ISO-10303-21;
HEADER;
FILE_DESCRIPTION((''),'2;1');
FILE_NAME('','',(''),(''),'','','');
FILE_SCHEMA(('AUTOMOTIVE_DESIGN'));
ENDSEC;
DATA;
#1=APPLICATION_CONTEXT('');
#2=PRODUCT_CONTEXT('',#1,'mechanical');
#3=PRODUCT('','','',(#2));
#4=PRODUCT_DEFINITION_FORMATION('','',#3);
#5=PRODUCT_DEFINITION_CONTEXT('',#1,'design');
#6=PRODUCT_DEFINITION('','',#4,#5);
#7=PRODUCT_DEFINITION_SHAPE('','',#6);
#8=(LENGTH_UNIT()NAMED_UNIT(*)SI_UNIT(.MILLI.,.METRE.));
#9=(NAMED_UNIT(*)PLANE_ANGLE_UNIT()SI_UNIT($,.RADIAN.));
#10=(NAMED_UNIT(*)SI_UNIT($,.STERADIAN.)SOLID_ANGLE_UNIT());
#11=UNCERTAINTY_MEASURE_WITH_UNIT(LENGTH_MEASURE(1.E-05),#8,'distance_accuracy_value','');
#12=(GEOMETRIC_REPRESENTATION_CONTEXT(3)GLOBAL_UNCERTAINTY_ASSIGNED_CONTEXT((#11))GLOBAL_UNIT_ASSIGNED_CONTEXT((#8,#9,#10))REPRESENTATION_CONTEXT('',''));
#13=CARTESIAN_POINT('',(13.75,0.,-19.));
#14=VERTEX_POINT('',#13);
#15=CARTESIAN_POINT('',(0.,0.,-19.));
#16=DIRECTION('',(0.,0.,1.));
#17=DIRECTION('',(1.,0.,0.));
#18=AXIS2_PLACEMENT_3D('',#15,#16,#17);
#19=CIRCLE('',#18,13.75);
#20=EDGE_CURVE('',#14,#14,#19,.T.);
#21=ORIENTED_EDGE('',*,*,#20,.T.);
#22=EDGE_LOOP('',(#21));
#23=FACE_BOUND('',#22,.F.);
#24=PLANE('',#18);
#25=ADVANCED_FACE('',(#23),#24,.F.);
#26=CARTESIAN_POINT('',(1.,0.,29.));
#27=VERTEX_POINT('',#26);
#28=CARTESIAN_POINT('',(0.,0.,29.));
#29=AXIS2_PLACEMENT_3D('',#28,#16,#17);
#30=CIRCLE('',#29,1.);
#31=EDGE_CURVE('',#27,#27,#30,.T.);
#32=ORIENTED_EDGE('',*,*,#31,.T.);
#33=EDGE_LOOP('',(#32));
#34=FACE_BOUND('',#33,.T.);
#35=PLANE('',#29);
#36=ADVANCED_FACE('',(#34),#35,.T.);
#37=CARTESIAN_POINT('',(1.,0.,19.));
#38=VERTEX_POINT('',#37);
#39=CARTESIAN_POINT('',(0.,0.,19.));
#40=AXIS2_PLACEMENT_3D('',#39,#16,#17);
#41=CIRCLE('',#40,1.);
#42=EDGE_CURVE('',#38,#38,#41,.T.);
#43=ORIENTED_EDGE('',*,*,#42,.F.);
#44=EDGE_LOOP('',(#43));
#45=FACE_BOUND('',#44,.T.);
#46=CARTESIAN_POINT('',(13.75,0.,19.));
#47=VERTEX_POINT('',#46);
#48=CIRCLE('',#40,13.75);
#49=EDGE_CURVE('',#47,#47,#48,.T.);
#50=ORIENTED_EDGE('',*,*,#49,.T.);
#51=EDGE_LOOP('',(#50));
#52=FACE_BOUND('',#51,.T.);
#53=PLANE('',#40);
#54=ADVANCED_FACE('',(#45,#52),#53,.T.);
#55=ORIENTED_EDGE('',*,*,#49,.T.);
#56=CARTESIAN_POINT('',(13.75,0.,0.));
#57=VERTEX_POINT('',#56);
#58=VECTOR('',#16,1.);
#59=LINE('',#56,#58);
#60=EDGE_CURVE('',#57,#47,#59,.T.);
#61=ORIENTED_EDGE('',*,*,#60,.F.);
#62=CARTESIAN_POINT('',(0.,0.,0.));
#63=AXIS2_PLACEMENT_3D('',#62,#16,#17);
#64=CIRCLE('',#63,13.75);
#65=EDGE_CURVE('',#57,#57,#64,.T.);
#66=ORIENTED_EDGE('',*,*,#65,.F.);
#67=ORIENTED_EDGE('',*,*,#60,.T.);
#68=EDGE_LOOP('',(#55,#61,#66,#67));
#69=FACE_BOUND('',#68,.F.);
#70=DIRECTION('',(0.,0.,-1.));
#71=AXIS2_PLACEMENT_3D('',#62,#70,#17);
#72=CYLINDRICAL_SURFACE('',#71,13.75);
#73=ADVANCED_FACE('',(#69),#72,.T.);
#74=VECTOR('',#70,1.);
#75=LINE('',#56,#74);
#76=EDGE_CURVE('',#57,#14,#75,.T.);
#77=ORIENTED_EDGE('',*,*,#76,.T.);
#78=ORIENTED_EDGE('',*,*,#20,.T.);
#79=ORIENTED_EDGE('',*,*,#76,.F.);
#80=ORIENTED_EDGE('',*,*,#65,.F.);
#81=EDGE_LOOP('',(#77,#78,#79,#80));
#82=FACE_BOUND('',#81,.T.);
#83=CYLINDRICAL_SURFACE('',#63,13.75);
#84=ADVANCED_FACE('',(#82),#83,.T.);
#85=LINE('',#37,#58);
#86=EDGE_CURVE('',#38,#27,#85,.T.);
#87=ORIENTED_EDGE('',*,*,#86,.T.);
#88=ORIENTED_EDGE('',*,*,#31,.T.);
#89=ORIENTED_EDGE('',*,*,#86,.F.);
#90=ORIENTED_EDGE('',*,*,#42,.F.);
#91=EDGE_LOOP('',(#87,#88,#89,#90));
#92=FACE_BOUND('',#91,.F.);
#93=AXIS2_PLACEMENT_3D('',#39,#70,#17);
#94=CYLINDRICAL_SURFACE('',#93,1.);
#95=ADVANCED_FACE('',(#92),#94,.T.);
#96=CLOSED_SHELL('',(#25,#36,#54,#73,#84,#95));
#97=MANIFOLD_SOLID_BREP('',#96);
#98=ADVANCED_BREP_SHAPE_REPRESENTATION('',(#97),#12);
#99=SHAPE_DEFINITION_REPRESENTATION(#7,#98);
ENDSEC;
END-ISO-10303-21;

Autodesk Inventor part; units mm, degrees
ref_plane "YZ Plane" through (0, 0, 0) normal (1, 0, 0) x (0, 1, 0)
ref_plane "XZ Plane" through (0, 0, 0) normal (0, 1, 0) x (-1, 0, 0)
ref_plane "XY Plane" through (0, 0, 0) normal (0, 0, 1) x (1, 0, 0)
sketch "Sketch1" plane through (0, 0, 0) normal (0, 0, 1) x (1, 0, 0)
  circle A0 centre (0, 0) radius 13.75
  dimension "d0" = 27.5
extrude "Extrusion1" add sketch "Sketch1" along normal mid plane 38
sketch "Sketch2" plane through (0, 0, 19) normal (0, 0, 1) x (1, 0, 0)
  circle A0 centre (0, 0) radius 1
  dimension "d3" = 2
extrude "Extrusion2" add sketch "Sketch2" along normal blind 10
properties part number "motor"
